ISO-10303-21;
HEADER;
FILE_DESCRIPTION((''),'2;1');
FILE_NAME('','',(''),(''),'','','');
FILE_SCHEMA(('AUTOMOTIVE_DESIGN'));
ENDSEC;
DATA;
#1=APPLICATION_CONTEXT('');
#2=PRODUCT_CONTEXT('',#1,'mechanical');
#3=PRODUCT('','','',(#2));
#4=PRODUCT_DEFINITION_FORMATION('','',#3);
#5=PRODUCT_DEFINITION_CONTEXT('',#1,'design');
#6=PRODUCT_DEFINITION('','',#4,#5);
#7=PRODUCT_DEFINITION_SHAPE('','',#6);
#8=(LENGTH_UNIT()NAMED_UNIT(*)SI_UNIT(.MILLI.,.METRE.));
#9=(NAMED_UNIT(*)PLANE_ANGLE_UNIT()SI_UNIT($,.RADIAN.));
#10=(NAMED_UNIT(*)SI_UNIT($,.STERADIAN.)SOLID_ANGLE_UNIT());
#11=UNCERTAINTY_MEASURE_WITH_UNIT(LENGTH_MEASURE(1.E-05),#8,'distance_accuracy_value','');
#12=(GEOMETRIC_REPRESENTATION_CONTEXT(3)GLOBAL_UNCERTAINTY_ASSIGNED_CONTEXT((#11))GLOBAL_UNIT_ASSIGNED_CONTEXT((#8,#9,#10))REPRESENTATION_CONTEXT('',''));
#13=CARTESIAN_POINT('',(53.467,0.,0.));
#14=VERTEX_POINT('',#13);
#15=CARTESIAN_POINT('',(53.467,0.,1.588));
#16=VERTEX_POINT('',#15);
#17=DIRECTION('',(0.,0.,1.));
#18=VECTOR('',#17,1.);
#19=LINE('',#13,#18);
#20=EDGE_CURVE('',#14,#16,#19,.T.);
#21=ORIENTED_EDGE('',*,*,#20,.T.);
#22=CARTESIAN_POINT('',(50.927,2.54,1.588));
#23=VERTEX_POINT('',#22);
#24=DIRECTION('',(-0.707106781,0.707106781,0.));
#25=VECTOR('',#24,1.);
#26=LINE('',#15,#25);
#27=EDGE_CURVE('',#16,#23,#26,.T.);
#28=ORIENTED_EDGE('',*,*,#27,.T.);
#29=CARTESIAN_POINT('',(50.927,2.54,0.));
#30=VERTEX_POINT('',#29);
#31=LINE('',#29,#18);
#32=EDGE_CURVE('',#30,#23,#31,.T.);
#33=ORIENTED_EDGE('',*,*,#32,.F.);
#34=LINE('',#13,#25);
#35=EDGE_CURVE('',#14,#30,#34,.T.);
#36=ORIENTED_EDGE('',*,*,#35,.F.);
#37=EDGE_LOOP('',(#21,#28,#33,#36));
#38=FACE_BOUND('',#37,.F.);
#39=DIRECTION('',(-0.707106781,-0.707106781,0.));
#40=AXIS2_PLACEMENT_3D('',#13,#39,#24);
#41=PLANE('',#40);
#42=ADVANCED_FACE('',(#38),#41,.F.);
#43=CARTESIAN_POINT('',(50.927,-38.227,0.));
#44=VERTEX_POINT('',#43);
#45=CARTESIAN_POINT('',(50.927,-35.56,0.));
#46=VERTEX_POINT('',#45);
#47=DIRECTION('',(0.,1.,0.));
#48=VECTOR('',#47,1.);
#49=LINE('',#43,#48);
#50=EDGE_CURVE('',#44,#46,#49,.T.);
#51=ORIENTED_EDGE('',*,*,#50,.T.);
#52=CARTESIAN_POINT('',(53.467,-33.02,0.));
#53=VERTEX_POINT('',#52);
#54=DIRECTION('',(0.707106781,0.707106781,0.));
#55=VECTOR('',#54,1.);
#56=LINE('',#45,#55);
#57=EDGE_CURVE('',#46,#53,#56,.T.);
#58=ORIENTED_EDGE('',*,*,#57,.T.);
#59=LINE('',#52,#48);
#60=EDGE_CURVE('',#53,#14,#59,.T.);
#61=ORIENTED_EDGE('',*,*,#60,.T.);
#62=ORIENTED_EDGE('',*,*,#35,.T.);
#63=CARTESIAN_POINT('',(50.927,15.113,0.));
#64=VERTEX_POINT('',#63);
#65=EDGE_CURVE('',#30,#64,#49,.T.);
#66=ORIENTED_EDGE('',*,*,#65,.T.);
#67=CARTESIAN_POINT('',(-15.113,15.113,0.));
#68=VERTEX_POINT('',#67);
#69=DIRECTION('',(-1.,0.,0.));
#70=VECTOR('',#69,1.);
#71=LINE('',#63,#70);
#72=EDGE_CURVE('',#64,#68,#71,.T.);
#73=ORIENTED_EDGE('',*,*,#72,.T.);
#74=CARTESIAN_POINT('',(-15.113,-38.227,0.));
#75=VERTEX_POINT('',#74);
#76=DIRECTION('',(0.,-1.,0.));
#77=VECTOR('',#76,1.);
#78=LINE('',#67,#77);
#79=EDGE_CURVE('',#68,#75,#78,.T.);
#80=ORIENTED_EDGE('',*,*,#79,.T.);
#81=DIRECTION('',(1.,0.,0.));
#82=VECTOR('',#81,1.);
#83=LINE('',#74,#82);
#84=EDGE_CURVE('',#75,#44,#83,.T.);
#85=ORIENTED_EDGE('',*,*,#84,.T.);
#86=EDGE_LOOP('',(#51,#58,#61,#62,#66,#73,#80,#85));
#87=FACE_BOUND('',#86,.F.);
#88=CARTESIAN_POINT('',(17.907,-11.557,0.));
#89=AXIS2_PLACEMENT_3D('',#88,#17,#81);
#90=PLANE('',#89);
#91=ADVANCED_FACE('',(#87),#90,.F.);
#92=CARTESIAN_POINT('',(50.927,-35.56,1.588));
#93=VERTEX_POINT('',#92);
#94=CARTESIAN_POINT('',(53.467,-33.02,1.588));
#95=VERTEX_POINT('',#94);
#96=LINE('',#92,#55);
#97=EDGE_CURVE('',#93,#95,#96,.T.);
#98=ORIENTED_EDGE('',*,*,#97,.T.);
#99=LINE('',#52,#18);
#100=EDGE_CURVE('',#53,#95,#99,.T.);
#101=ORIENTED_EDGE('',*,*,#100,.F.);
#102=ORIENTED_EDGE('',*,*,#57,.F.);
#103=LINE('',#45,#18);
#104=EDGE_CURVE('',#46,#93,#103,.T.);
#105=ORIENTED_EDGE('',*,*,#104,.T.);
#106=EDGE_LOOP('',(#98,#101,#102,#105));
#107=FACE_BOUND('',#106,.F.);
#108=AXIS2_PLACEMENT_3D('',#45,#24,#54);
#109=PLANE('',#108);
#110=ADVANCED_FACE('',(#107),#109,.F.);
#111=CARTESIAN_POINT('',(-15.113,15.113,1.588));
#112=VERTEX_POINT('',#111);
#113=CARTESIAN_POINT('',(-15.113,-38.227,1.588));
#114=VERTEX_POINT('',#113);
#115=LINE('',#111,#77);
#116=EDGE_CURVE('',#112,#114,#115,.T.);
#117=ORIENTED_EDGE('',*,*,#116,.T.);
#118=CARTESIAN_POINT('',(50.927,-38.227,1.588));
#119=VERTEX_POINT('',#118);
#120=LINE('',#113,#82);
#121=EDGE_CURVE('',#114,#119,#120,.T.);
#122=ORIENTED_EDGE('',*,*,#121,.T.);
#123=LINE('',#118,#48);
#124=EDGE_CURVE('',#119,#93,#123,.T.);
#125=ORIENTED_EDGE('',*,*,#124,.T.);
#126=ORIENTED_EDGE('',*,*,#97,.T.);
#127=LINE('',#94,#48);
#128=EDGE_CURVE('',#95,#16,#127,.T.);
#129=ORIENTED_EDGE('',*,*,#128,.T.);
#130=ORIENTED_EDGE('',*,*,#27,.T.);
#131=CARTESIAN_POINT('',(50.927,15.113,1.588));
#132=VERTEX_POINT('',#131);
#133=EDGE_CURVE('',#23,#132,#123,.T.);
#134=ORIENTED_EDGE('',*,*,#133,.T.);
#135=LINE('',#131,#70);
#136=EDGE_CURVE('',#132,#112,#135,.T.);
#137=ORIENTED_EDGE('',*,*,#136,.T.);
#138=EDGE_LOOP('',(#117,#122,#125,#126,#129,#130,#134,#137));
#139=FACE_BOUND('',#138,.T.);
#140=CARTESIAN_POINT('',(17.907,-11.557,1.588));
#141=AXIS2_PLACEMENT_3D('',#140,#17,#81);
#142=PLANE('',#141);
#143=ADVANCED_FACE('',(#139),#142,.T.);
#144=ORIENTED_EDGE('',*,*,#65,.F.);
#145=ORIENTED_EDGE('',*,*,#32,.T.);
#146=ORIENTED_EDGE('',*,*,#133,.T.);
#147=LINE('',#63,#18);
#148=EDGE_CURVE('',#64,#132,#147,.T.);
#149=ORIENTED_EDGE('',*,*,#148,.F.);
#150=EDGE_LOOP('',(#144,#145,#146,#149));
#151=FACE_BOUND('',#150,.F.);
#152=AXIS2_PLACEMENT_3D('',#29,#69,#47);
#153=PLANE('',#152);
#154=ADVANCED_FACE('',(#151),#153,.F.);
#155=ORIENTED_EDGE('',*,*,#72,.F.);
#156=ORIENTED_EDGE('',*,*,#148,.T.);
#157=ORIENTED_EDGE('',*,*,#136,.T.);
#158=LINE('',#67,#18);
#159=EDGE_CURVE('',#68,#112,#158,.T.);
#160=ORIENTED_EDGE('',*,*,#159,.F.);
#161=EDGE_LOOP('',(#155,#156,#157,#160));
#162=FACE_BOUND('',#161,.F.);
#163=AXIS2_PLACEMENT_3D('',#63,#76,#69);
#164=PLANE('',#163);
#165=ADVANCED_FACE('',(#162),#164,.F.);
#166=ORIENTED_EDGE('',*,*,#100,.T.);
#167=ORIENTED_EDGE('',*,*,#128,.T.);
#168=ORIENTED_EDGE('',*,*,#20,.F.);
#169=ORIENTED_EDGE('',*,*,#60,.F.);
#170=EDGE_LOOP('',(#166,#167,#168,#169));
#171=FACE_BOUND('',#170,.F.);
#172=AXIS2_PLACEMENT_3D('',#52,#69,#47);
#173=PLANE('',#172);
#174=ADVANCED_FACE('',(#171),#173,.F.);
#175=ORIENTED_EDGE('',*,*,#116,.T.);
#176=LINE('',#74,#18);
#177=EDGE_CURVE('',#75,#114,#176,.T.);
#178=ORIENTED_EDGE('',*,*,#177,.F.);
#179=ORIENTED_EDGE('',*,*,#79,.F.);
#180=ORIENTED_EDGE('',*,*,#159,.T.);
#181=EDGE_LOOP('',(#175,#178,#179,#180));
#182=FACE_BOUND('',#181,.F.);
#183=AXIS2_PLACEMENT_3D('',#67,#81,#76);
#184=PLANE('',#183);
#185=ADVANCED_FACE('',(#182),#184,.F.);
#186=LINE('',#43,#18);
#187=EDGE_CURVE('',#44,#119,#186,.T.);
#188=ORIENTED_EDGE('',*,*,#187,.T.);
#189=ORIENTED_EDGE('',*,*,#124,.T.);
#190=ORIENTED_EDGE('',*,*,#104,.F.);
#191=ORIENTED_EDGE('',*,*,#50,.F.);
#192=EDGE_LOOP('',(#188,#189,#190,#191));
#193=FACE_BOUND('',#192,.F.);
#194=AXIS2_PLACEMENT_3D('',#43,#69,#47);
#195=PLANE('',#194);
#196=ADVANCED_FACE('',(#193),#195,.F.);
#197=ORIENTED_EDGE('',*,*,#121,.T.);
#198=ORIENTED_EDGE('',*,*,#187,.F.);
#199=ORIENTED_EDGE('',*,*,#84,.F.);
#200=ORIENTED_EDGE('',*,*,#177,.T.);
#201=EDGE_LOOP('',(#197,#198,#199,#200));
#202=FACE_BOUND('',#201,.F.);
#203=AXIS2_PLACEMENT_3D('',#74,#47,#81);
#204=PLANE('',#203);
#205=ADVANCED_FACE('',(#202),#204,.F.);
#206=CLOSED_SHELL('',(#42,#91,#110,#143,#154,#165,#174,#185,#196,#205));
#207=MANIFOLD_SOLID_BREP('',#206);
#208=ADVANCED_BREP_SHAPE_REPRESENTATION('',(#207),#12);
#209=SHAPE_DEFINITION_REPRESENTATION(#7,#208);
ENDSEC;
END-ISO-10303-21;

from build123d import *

# Parameters (mm, degrees)
F1_DEPTH = 1.588


with BuildPart() as f1:
    # F0 (on Top) → F1 (new body)
    with BuildSketch(Plane.XY):
        Polygon((50.927, 15.113), (-15.113, 15.113), (-15.113, -38.227), (50.927, -38.227), (50.927, -35.56), (50.927, 2.54), align=None)
        Polygon((53.467, 0), (50.927, 2.54), (50.927, -35.56), (53.467, -33.02), align=None)
    extrude(amount=F1_DEPTH)


solid = f1.part
